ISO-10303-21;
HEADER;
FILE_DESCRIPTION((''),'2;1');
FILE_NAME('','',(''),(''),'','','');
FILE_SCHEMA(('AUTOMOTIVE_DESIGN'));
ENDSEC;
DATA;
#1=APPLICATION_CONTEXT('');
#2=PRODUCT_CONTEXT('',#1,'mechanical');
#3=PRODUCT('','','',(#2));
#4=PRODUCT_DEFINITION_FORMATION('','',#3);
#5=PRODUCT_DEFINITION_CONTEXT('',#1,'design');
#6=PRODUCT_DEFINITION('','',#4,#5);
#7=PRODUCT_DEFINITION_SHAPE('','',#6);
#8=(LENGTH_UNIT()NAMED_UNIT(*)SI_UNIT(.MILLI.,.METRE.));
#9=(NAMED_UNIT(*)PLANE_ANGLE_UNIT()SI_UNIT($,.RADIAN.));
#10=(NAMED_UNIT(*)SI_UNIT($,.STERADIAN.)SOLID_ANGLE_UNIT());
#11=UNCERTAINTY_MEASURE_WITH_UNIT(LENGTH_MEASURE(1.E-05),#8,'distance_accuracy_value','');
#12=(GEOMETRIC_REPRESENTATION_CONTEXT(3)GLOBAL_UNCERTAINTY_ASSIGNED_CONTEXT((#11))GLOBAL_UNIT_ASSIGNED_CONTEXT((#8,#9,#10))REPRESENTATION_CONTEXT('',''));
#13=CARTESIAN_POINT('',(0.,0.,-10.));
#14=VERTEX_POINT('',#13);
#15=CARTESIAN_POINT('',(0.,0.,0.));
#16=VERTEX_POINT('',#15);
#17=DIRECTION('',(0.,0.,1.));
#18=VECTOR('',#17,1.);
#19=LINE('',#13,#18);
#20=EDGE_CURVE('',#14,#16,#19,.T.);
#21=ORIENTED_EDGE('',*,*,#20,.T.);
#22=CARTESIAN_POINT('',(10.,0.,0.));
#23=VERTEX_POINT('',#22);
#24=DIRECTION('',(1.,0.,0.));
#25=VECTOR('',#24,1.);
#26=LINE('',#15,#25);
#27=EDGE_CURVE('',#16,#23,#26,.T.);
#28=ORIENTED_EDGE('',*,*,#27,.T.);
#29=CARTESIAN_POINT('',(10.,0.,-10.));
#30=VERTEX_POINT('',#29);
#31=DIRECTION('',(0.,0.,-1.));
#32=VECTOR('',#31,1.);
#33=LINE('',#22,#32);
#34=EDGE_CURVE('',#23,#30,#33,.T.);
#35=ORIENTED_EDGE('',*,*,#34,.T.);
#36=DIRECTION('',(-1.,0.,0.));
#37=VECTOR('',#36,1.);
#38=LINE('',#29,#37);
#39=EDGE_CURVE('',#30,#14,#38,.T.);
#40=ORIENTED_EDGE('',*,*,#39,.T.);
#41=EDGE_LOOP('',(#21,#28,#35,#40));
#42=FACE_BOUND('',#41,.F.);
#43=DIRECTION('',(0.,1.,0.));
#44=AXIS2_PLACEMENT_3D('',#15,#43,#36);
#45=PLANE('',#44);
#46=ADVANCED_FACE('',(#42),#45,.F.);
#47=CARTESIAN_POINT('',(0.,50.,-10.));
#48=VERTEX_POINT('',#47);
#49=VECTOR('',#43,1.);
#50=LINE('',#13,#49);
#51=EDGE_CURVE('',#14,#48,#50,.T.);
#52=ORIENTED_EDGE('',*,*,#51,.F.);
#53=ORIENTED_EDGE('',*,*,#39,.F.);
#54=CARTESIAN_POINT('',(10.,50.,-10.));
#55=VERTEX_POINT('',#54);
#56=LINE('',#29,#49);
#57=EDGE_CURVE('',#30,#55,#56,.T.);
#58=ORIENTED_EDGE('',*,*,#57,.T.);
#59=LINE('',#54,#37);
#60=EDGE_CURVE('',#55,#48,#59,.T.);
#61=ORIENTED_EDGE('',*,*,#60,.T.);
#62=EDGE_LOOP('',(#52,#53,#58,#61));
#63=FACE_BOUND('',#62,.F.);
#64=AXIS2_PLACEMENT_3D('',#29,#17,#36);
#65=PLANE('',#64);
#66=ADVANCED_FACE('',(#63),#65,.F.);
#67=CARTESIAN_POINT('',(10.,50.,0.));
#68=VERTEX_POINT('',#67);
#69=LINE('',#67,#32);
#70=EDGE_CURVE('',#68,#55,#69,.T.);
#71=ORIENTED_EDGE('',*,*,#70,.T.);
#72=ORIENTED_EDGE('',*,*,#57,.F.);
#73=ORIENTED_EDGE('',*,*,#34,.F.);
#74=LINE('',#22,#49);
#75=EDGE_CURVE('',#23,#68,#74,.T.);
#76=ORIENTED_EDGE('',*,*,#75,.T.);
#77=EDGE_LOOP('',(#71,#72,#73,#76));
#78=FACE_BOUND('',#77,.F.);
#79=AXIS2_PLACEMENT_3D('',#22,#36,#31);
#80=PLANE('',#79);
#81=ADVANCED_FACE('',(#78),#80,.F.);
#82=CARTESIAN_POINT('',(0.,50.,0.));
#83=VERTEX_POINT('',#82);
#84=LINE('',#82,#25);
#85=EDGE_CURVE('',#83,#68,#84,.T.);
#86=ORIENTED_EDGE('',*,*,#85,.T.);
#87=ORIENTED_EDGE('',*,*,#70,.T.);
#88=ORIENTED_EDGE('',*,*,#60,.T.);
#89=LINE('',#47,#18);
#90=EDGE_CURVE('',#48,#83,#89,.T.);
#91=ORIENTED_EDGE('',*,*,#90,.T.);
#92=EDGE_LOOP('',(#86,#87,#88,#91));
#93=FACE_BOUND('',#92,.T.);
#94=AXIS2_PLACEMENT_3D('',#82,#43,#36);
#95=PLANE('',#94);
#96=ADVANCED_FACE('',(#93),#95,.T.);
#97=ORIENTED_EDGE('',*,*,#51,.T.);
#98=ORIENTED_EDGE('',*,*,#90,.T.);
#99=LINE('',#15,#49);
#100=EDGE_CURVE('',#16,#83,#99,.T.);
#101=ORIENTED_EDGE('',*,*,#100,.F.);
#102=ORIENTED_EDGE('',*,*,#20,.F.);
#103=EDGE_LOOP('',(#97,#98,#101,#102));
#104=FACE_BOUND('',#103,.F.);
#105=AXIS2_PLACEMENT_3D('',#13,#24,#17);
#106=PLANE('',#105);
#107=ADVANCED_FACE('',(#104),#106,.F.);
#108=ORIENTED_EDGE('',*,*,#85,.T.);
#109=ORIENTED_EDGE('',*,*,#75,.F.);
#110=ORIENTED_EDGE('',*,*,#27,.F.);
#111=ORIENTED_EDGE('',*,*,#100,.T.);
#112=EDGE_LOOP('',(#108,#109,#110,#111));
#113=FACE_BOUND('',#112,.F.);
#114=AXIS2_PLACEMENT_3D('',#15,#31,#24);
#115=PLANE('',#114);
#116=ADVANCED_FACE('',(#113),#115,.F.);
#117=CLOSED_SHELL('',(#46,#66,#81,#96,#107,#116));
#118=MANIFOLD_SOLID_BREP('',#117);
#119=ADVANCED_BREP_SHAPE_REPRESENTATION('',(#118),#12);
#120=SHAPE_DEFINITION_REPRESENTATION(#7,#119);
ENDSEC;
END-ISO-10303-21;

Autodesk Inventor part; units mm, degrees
ref_plane "YZ Plane" through (0, 0, 0) normal (1, 0, 0) x (0, 1, 0)
ref_plane "XZ Plane" through (0, 0, 0) normal (0, 1, 0) x (-1, 0, 0)
ref_plane "XY Plane" through (0, 0, 0) normal (0, 0, 1) x (1, 0, 0)
sketch "Sketch1" plane through (0, 0, 0) normal (0, 1, 0) x (-1, 0, 0)
  line L0 (0, 0) -> (-10, 0)
  line L1 (-10, 0) -> (-10, -10)
  line L2 (-10, -10) -> (0, -10)
  line L3 (0, -10) -> (0, 0)
  dimension "d0" = 10
  dimension "d1" = 10
extrude "Extrusion1" add sketch "Sketch1" along normal blind 50
properties part number "Tower"
